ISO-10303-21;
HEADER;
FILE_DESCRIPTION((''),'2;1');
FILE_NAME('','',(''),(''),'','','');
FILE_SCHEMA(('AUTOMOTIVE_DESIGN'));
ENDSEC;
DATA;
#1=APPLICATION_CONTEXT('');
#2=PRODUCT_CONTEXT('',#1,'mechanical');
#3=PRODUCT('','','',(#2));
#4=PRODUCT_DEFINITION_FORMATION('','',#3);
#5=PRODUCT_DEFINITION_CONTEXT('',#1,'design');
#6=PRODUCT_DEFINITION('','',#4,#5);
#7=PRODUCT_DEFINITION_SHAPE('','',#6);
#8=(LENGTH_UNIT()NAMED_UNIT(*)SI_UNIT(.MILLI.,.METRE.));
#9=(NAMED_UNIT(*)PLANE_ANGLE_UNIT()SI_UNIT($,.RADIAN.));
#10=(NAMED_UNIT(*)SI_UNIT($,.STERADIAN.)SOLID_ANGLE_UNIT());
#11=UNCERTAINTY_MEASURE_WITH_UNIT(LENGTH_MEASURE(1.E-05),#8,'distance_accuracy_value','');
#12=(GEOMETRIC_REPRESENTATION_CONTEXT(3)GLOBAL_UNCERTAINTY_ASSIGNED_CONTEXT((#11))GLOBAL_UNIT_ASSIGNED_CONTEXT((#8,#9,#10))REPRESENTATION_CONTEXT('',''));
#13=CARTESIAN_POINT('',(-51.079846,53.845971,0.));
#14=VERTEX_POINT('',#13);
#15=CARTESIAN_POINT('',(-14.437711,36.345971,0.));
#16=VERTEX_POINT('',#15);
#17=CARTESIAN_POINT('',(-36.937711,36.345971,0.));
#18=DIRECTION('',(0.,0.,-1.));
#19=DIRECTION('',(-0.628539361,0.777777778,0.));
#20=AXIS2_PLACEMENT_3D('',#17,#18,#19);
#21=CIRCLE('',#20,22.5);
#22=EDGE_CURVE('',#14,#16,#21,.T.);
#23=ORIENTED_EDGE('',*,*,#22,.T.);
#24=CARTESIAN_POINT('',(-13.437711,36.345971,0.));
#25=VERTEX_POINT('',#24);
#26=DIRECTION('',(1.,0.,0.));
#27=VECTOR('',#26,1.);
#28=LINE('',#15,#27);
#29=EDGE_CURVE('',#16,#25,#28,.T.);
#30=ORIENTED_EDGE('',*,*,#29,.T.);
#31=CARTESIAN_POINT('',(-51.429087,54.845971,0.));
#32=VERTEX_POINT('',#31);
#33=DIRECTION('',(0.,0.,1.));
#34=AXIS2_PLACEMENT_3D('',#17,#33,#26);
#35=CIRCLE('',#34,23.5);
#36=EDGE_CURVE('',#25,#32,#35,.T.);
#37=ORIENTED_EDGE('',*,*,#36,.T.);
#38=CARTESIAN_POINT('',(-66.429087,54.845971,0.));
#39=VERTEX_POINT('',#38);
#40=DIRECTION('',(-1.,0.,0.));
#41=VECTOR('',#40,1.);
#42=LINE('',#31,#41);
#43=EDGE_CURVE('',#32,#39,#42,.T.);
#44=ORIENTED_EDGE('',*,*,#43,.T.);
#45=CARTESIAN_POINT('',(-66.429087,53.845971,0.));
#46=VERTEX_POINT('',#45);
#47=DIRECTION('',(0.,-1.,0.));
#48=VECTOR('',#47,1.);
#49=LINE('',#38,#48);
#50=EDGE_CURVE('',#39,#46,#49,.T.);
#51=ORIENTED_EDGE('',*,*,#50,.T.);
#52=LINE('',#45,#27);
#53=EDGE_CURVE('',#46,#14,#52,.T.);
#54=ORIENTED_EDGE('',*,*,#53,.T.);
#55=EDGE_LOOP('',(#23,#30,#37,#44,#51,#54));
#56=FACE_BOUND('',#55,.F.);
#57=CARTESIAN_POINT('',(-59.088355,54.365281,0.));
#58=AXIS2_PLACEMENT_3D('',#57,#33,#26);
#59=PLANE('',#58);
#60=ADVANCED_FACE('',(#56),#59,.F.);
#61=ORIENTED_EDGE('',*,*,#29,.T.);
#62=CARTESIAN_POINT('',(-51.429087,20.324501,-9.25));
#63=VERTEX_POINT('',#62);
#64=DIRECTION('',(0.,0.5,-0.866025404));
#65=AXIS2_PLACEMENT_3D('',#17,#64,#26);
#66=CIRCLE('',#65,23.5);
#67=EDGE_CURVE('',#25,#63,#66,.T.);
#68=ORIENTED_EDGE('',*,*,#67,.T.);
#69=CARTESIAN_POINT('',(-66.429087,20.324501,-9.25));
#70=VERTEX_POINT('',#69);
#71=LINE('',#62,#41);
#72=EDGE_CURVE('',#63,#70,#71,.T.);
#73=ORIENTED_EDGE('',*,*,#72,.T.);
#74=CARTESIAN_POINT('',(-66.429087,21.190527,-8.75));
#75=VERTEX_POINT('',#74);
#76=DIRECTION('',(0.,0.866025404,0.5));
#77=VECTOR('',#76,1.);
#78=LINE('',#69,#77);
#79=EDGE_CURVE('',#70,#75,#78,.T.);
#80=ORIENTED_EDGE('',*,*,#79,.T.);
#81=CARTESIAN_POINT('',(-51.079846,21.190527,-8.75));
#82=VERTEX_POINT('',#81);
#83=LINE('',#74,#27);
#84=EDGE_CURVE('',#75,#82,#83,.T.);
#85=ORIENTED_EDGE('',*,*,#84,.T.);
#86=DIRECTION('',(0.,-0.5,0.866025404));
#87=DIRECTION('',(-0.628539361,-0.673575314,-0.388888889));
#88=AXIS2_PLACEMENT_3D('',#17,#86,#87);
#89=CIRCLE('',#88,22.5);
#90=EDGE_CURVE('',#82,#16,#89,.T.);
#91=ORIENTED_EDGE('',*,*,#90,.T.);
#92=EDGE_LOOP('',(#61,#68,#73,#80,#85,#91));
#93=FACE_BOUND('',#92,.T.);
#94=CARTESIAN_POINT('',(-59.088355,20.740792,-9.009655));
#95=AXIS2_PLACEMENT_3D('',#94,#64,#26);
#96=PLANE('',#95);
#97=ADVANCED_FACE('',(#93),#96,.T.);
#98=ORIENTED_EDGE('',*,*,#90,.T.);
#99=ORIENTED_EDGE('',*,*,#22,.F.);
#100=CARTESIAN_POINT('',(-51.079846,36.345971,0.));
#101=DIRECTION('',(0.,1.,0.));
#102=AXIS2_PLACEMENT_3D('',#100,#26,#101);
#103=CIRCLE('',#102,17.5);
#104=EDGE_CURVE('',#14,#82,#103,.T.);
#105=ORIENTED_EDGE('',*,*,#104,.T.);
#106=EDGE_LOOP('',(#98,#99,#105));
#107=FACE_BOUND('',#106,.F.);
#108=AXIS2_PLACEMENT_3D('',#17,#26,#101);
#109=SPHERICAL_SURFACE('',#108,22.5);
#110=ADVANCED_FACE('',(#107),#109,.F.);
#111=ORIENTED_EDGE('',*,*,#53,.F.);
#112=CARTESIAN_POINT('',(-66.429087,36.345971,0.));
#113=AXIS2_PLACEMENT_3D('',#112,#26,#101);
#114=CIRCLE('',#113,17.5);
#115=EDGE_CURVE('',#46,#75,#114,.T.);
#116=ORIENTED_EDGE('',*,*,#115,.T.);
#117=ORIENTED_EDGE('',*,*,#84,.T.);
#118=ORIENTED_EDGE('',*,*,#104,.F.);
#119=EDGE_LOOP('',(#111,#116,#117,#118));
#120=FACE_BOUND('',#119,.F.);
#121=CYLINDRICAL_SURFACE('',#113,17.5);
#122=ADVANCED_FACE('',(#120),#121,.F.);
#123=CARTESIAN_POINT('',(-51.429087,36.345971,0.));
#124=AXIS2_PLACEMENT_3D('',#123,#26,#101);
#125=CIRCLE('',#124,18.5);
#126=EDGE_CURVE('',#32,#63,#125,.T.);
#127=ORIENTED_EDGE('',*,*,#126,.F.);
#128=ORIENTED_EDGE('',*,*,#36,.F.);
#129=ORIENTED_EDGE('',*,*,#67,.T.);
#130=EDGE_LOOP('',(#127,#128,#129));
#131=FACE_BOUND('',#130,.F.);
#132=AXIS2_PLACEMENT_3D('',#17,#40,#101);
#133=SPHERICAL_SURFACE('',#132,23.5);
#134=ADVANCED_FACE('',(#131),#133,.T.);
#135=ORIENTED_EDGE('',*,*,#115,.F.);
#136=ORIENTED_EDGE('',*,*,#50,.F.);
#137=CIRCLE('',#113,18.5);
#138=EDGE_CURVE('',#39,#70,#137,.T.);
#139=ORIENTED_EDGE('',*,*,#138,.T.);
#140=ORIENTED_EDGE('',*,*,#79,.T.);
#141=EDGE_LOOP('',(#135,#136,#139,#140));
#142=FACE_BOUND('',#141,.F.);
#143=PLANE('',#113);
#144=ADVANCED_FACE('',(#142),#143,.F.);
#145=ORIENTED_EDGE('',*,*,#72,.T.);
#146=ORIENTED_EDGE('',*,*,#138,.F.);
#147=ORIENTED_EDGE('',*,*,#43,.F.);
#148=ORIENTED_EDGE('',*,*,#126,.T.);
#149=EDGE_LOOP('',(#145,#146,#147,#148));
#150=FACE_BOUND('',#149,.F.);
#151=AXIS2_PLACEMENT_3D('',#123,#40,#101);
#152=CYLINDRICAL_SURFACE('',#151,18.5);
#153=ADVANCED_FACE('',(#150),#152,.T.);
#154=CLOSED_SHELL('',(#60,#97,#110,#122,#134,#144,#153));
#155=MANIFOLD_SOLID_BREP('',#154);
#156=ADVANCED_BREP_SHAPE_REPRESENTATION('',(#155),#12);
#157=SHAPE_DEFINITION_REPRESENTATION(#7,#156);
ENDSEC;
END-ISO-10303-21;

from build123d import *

# Parameters (mm, degrees)
F1_ANGLE = 210


with BuildPart() as f1:
    # F0 (on Top) → F1 (revolve)
    with BuildSketch(Plane.XY):
        with BuildLine():
            ThreePointArc((-52.622097741, 53.8459713087), (-52.0338750645, 54.3558524424), (-51.4290873458, 54.8459713087))
            Line((-51.4290873458, 54.8459713087), (-66.4290873458, 54.8459713087))
            Line((-66.4290873458, 54.8459713087), (-66.4290873458, 53.8459713087))
            Line((-66.4290873458, 53.8459713087), (-52.622097741, 53.8459713087))
        make_face()
        with BuildLine():
            Line((-14.4377105996, 36.3459713087), (-13.4377105996, 36.3459713087))
            ThreePointArc((-13.4377105996, 36.3459713087), (-26.6493033744, 57.4741202283), (-51.4290873458, 54.8459713087))
            Line((-51.4290873458, 54.8459713087), (-51.4290873458, 53.8459713087))
            Line((-51.4290873458, 53.8459713087), (-51.0798462234, 53.8459713087))
            ThreePointArc((-51.0798462234, 53.8459713087), (-27.2410114585, 56.6492721676), (-14.4377105996, 36.3459713087))
        make_face()
        with BuildLine():
            Line((-51.4290873458, 53.8459713087), (-51.4290873458, 54.8459713087))
            ThreePointArc((-51.4290873458, 54.8459713087), (-52.0338750645, 54.3558524424), (-52.622097741, 53.8459713087))
            Line((-52.622097741, 53.8459713087), (-51.4290873458, 53.8459713087))
        make_face()
    revolve(axis=Axis((-33.8413137943, 36.3459713087, 0), (1, 0, 0)), revolution_arc=F1_ANGLE)


solid = f1.part
